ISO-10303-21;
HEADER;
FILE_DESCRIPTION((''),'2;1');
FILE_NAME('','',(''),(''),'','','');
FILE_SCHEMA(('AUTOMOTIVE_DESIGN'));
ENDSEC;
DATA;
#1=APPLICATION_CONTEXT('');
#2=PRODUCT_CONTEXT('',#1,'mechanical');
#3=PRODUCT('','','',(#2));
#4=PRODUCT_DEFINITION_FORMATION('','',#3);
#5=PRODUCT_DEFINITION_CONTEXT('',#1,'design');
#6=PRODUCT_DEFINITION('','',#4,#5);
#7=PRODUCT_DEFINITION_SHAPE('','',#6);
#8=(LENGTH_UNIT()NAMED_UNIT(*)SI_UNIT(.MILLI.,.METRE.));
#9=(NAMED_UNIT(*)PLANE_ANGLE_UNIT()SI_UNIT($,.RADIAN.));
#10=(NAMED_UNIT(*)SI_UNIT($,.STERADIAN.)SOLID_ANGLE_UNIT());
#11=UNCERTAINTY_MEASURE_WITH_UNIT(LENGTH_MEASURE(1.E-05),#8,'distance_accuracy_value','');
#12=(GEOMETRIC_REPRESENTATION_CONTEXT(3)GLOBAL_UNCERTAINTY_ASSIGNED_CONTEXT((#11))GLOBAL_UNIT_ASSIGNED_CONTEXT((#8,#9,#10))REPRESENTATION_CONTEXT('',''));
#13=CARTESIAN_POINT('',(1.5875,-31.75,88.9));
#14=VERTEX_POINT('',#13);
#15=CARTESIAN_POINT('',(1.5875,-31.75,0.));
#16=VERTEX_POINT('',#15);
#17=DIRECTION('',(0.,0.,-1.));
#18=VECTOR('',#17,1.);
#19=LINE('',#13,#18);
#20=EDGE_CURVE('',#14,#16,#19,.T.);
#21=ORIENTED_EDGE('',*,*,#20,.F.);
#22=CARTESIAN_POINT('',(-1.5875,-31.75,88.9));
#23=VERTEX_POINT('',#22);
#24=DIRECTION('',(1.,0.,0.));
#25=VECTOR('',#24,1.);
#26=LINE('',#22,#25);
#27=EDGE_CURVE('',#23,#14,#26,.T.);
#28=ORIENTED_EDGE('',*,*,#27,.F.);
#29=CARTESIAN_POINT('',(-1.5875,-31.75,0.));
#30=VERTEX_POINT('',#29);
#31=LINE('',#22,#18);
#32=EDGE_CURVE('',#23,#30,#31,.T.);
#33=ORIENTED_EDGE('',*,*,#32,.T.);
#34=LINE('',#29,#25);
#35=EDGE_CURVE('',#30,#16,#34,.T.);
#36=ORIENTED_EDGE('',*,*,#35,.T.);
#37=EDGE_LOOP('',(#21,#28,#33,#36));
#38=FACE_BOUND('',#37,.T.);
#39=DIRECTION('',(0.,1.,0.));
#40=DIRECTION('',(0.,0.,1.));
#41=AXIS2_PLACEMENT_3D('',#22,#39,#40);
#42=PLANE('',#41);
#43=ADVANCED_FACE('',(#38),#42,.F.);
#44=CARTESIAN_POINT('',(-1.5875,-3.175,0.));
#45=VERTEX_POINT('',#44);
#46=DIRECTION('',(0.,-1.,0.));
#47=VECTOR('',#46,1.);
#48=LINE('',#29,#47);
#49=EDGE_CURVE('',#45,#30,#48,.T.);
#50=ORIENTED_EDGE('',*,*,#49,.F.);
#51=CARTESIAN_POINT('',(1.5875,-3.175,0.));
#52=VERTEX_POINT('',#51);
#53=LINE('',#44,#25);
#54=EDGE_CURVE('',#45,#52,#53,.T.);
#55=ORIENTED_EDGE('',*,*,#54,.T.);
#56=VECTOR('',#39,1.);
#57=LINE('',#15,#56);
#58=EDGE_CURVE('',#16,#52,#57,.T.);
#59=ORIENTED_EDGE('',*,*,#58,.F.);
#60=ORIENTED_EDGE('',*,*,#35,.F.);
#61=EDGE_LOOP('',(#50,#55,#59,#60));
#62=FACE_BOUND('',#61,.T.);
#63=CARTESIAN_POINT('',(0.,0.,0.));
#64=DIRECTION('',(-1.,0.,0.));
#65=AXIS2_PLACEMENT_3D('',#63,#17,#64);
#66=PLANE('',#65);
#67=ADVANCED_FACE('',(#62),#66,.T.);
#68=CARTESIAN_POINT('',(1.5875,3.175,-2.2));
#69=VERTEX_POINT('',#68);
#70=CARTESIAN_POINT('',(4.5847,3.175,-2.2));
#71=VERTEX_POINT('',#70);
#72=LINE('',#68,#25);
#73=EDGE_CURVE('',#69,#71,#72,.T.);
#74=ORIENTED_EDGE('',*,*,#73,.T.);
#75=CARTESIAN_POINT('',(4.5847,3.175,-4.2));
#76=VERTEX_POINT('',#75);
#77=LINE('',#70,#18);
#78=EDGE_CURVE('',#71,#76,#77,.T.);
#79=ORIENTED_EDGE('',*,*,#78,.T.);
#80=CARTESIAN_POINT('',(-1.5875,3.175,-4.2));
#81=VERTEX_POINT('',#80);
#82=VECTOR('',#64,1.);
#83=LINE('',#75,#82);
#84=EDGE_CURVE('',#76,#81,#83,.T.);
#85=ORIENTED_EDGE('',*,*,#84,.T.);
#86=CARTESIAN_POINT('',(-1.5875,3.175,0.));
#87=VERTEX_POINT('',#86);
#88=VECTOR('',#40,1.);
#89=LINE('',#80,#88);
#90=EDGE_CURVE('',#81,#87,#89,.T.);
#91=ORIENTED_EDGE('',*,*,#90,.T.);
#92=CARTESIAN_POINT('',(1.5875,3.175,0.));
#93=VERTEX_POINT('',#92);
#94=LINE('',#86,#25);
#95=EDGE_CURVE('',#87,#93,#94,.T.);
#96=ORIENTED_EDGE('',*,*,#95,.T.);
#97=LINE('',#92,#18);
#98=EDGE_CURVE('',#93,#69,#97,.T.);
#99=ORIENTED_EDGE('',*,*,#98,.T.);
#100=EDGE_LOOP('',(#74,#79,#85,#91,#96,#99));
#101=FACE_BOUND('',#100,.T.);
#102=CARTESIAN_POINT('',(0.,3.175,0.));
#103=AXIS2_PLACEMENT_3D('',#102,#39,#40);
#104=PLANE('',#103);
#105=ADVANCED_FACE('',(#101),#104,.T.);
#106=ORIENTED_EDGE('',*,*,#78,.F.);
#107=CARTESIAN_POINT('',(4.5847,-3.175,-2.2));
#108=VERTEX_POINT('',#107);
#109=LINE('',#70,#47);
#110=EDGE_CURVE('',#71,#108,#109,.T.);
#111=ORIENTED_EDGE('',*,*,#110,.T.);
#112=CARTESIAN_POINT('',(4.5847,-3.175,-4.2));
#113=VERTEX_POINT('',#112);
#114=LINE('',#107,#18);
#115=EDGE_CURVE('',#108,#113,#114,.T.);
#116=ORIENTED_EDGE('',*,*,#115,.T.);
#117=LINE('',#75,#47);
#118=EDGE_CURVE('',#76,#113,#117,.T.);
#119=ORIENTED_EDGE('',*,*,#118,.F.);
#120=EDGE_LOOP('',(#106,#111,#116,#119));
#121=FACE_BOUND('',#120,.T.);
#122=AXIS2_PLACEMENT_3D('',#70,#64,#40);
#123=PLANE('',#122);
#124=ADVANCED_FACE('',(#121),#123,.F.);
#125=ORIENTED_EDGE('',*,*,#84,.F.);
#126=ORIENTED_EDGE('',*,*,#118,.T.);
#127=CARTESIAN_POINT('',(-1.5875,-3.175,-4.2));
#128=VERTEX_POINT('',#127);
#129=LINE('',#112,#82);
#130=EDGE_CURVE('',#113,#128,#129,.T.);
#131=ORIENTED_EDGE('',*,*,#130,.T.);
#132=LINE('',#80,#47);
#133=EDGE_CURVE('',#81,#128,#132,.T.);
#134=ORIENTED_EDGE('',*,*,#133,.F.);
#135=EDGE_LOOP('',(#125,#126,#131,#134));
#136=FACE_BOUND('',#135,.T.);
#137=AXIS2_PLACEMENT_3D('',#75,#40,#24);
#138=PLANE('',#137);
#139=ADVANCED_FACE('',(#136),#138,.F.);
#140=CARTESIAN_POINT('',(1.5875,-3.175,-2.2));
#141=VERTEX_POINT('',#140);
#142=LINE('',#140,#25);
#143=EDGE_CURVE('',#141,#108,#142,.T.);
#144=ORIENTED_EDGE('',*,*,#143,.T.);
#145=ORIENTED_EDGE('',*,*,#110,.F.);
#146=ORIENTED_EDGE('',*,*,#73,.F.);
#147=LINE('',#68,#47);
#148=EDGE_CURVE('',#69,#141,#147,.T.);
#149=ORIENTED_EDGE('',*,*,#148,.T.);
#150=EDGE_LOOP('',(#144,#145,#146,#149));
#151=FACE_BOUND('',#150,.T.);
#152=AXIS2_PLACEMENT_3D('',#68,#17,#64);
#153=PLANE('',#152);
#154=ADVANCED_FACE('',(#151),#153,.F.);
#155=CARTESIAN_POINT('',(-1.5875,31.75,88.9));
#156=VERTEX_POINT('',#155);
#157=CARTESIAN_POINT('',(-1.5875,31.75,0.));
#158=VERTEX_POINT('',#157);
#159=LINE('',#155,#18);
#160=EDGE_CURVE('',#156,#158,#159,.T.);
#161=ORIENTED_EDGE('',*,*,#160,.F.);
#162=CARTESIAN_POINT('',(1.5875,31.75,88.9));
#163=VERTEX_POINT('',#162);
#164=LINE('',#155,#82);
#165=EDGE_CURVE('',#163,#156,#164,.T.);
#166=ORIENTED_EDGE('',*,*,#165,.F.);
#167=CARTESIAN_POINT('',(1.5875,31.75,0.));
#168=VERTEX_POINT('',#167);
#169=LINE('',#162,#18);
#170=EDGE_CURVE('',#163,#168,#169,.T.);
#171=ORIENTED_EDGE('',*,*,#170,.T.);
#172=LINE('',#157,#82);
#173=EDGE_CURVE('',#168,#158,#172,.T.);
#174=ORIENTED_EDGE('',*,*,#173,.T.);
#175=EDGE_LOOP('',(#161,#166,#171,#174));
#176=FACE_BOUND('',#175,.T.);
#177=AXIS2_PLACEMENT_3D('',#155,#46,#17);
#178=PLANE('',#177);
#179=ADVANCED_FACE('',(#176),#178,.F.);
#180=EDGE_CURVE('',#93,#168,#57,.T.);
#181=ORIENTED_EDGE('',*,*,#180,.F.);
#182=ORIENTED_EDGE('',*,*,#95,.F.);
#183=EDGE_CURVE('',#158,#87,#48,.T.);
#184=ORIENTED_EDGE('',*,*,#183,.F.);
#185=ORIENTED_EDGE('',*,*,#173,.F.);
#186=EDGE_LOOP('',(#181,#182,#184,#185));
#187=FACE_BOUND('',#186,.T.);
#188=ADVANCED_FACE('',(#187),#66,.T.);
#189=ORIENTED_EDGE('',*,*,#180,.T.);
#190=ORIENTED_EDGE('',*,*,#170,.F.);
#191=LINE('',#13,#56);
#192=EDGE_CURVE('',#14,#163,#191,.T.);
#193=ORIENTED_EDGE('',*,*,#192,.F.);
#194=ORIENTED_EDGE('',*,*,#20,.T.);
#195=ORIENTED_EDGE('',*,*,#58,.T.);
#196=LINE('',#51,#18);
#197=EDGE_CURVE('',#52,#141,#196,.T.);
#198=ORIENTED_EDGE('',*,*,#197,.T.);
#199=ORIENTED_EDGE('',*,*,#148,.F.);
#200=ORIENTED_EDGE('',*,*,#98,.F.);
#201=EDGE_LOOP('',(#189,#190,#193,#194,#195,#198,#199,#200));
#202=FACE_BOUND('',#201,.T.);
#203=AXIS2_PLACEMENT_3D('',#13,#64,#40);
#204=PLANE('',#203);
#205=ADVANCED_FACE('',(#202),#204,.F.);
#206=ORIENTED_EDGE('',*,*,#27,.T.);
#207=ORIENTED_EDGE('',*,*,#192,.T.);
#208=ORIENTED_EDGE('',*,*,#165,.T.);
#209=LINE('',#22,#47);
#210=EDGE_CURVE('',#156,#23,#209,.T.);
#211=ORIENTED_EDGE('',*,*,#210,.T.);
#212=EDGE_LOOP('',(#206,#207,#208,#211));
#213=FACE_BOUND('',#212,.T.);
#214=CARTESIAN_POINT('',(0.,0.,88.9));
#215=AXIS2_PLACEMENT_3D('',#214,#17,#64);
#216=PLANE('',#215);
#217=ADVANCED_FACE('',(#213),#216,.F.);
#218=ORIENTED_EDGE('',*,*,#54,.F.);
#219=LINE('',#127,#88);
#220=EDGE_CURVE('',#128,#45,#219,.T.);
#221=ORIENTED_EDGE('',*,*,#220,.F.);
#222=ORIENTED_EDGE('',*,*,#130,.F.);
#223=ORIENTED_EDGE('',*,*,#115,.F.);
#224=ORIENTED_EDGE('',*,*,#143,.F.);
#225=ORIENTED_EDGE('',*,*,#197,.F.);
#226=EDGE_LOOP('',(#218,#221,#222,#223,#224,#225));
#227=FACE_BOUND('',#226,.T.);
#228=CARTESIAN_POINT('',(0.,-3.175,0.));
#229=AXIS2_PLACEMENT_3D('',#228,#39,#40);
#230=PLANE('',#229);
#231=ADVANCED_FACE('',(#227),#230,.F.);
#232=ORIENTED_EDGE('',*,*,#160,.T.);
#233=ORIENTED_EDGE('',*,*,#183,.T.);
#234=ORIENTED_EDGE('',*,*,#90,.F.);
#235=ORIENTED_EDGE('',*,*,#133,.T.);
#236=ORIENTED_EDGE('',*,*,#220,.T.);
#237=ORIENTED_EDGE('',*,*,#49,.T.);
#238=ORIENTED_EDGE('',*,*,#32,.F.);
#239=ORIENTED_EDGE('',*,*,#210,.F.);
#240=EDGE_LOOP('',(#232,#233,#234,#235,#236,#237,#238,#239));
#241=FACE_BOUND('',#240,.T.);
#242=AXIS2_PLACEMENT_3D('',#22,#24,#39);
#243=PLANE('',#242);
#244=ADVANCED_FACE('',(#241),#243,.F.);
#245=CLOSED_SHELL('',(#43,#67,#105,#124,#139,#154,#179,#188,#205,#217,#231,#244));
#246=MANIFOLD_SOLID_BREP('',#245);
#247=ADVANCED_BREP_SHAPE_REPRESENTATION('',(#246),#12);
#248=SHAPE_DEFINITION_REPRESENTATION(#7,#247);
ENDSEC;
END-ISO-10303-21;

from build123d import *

# Parameters (mm, degrees)
SKETCH1_W           = 3.175
SKETCH1_H           = 63.5
BOSS_EXTRUDE1_DEPTH = 88.9
BOSS_EXTRUDE2_DEPTH = 3.175


with BuildPart() as part:
    # Sketch1 → Boss-Extrude1 (new body)
    with BuildSketch(Plane.XY):
        Rectangle(SKETCH1_W, SKETCH1_H)
    extrude(amount=BOSS_EXTRUDE1_DEPTH)

    # Sketch2 → Boss-Extrude2 (add, symmetric)
    with BuildSketch(Plane(origin=(0, 0, 0), x_dir=(1, 0, 0), z_dir=(0, 1, 0))):
        Polygon((1.5875, 0), (1.5875, 2.2), (4.5847, 2.2), (4.5847, 4.2), (-1.5875, 4.2), (-1.5875, 0), align=None)
    extrude(amount=BOSS_EXTRUDE2_DEPTH, both=True)


solid = part.part
